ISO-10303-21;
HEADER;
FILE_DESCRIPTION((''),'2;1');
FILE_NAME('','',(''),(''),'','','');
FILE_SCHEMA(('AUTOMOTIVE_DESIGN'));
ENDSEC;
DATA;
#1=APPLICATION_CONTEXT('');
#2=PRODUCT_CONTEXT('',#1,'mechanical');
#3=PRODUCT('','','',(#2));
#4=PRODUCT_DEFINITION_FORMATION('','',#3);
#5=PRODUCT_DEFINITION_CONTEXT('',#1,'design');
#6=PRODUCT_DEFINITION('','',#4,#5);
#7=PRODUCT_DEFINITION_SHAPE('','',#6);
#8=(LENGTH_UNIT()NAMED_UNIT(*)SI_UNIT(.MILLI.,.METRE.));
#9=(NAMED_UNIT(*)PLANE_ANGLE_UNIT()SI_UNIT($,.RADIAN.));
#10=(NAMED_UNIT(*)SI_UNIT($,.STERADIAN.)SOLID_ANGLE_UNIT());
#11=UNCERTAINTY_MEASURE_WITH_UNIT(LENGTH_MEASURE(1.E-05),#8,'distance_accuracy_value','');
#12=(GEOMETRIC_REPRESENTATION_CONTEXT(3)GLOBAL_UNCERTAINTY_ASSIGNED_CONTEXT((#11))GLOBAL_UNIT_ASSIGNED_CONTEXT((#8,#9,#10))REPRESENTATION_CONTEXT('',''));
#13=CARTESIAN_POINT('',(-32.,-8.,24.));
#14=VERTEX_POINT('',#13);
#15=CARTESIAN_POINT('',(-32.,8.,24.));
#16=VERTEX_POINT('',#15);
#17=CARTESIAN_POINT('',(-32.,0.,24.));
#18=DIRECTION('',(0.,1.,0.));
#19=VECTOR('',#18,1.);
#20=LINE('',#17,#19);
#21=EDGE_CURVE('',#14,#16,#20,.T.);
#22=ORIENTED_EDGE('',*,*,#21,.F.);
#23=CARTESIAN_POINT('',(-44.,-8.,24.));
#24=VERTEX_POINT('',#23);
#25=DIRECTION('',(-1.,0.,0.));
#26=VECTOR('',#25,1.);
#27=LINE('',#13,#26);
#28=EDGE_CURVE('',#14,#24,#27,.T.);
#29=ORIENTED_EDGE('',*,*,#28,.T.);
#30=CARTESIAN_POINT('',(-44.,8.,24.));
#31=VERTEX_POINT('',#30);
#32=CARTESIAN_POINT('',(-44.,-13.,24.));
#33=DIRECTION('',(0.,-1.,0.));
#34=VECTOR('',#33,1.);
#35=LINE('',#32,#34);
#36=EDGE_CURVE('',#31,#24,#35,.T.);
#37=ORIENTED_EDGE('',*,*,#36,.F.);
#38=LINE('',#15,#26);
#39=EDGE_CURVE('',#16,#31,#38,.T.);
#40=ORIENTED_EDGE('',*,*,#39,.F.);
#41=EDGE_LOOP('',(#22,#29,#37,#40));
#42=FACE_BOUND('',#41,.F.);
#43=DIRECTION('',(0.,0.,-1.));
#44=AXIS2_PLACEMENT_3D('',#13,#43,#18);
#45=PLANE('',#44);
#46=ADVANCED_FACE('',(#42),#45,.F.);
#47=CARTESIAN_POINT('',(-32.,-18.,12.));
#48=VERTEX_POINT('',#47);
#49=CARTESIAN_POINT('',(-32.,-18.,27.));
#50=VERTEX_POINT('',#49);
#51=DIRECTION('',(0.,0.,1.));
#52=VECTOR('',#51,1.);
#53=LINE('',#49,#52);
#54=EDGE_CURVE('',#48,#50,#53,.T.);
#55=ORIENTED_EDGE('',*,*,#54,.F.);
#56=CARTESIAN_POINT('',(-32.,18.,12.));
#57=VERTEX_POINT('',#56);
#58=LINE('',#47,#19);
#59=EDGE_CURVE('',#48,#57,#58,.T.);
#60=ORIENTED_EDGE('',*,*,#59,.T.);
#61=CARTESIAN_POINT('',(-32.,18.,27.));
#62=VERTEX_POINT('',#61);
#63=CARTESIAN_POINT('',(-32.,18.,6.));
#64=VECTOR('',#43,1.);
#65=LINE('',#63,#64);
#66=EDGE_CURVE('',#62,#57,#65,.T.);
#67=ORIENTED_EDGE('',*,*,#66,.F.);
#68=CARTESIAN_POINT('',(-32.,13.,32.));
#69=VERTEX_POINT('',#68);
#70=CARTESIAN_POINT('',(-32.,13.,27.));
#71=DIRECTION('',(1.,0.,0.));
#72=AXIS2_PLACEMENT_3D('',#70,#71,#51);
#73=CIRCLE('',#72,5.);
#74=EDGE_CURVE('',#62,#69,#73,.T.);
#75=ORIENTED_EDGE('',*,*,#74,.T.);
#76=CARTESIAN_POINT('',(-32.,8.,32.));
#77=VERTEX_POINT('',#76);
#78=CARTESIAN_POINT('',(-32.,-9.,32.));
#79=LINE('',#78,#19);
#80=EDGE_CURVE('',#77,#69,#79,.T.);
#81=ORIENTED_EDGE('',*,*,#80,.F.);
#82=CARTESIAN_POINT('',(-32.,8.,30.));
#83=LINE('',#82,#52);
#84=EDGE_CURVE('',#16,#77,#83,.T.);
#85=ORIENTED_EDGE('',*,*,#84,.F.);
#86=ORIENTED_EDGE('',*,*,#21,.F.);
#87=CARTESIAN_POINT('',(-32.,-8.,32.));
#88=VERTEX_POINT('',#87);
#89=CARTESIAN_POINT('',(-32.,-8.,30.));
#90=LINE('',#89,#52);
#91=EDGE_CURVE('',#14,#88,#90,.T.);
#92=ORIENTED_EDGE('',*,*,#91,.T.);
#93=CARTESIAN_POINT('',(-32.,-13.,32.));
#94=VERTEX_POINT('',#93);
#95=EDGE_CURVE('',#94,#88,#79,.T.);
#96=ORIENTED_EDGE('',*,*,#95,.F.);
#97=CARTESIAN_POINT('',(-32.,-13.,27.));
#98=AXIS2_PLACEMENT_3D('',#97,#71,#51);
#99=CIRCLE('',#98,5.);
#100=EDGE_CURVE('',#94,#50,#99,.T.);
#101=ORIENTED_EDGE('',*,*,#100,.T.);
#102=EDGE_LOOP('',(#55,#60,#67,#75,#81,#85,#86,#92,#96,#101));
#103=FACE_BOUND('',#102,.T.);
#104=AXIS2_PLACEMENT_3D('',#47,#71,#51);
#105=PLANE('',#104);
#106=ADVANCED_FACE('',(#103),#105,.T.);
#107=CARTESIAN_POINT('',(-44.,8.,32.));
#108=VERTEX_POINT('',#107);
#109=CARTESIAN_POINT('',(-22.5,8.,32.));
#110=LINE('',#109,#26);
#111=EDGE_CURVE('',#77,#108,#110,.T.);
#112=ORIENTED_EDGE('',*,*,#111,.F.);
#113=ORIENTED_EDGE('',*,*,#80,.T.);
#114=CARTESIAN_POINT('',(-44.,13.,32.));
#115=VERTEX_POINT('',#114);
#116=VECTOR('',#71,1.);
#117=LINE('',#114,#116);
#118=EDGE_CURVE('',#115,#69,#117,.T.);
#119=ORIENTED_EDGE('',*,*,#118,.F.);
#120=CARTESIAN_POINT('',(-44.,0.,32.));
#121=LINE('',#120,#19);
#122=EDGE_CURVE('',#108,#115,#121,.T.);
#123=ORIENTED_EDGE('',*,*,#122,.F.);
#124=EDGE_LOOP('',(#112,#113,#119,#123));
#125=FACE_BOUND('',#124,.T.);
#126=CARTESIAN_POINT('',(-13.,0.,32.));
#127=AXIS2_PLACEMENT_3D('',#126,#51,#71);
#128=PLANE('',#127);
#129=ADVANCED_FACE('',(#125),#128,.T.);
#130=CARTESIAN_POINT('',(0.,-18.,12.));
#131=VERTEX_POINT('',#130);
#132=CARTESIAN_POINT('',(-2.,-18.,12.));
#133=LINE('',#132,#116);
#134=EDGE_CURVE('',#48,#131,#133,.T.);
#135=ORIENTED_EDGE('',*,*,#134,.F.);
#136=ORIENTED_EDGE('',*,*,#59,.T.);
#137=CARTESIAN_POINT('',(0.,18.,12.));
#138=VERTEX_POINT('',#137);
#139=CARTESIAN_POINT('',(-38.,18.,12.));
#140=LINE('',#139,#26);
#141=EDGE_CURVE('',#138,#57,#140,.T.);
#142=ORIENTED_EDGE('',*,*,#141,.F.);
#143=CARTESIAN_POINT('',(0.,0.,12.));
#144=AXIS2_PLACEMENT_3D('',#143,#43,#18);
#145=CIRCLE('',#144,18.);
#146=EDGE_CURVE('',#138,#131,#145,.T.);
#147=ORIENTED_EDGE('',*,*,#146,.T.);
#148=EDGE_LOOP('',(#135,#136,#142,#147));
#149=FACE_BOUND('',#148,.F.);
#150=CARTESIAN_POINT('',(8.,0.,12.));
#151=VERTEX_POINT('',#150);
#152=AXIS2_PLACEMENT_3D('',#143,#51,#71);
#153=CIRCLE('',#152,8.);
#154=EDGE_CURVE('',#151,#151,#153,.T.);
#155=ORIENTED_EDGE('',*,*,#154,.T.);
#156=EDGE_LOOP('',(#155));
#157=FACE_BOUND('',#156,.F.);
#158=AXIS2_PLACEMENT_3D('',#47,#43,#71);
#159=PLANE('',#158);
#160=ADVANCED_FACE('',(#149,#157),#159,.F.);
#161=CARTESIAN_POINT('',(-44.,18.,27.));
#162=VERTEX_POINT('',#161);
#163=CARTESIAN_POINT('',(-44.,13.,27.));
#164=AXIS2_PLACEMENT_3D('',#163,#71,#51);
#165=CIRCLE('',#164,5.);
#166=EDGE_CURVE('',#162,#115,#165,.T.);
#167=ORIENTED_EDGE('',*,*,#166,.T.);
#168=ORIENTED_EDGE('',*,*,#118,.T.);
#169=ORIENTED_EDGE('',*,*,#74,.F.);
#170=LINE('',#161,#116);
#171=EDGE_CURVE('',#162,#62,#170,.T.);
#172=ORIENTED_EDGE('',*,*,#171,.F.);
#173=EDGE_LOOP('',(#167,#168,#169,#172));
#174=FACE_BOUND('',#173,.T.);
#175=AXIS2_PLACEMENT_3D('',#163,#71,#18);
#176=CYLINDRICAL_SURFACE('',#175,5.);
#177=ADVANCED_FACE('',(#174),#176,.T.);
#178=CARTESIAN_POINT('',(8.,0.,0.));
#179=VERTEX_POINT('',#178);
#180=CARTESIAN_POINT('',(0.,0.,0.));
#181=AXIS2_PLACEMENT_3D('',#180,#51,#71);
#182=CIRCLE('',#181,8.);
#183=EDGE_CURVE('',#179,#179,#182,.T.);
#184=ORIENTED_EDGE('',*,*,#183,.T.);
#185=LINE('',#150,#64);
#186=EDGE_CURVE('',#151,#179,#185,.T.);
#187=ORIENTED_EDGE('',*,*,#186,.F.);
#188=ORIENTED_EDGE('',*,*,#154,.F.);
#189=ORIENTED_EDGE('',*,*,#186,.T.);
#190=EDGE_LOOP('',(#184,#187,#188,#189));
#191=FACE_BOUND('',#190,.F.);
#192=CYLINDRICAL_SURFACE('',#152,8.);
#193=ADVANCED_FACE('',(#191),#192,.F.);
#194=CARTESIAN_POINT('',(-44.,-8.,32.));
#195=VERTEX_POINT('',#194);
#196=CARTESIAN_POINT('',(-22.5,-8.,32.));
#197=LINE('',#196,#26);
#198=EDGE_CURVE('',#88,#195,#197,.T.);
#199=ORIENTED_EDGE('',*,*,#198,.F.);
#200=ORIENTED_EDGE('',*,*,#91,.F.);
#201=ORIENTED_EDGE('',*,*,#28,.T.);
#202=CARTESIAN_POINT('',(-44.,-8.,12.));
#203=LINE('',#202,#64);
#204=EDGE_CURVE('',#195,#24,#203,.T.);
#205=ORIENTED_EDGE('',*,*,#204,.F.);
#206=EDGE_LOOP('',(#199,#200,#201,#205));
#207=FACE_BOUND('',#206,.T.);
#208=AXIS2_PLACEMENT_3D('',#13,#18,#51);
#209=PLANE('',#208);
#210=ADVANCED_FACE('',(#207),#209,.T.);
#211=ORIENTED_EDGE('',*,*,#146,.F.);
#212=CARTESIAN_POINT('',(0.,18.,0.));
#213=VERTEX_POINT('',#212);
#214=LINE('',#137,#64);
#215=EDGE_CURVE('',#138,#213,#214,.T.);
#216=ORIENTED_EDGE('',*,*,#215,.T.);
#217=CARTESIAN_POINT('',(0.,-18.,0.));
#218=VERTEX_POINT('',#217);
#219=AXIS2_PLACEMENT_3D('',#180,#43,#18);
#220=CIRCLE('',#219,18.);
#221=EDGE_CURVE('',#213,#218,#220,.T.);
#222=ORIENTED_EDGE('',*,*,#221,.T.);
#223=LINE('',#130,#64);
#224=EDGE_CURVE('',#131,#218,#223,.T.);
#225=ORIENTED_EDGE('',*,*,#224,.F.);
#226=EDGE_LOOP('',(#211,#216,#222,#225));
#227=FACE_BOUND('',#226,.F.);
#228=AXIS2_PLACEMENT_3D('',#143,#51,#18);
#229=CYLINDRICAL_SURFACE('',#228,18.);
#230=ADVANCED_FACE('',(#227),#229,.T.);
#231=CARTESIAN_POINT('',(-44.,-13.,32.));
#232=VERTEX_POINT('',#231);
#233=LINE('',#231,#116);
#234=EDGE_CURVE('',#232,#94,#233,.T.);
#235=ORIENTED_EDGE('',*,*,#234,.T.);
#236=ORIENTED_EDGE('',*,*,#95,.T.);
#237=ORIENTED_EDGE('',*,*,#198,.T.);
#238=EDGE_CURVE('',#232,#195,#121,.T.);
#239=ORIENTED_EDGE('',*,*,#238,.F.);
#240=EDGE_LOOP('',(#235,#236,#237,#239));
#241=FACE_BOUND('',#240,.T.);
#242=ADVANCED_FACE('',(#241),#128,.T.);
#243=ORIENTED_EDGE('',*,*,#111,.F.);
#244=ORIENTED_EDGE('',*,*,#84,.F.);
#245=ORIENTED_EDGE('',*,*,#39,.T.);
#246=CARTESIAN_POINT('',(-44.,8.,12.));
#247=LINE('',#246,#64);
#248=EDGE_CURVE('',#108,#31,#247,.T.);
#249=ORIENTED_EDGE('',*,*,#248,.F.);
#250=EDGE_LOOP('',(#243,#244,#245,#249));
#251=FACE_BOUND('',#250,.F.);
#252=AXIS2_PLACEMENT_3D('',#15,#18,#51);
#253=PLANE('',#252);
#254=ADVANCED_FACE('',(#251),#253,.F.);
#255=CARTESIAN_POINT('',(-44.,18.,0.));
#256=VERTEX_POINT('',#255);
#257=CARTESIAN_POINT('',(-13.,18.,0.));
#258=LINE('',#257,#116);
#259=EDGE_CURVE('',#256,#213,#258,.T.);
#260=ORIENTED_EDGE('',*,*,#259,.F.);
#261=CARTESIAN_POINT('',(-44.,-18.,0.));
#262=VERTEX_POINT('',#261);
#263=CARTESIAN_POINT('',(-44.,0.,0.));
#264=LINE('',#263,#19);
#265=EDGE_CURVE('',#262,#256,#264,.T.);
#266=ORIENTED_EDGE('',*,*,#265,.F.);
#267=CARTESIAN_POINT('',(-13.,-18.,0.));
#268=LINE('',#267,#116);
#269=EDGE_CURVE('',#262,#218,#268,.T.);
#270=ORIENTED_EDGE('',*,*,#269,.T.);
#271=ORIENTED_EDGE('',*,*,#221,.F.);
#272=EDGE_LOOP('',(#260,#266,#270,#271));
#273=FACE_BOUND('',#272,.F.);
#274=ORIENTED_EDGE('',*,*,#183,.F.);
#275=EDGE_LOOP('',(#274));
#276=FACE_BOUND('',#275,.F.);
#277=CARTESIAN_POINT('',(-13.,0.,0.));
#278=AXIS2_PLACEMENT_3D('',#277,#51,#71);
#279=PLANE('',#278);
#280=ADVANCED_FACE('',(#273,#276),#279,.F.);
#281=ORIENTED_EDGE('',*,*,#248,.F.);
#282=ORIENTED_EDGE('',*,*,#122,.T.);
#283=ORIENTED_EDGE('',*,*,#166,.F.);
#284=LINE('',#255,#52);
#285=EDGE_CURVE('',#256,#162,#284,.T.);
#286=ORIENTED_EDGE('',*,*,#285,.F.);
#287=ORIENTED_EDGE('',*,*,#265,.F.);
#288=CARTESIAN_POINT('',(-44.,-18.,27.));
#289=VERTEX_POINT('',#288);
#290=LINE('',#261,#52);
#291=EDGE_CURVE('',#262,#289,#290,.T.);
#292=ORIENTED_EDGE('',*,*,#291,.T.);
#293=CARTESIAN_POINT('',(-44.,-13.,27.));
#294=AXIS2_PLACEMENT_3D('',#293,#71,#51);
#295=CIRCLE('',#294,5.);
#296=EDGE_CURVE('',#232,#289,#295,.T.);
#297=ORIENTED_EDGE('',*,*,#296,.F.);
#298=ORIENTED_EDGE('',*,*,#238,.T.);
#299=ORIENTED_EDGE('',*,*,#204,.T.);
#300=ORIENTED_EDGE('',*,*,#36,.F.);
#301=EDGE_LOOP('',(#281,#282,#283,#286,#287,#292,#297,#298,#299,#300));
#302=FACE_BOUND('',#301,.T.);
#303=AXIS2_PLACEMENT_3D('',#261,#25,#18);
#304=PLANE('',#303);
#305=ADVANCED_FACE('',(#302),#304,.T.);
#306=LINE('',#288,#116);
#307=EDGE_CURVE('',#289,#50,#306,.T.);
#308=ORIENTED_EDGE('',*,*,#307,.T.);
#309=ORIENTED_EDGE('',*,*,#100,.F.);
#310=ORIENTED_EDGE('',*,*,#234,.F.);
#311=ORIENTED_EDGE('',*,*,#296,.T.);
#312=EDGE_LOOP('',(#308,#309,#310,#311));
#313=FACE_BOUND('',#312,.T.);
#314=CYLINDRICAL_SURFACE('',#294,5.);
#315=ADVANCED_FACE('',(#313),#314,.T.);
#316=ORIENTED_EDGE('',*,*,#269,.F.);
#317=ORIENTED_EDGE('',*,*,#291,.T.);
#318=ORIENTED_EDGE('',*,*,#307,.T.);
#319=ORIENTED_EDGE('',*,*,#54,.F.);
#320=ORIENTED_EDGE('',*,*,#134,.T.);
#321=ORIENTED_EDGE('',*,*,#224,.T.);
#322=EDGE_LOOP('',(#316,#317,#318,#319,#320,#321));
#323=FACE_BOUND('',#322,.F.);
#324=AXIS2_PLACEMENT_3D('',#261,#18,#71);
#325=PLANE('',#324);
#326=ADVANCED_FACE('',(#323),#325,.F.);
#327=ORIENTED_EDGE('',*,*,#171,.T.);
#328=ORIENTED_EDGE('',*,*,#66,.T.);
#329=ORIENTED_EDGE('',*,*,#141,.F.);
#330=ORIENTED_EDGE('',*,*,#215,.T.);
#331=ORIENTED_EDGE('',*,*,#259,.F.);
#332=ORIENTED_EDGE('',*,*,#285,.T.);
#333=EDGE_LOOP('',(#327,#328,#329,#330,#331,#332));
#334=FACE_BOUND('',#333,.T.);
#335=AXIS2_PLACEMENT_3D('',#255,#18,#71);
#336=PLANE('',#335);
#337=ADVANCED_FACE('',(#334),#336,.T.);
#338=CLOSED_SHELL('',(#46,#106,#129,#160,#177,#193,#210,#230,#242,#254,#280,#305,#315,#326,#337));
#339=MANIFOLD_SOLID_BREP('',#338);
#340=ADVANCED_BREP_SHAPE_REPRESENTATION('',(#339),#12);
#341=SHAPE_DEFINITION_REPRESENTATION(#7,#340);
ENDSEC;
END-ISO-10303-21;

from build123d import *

# Parameters (mm, degrees)
F0_W     = 62
F0_H     = 36
F1_DEPTH = 32
F2_W     = 60
F2_H     = 30
F3_DEPTH = 36.001
F5_DEPTH = 12.001
F6_W     = 16
F6_H     = 12
F7_DEPTH = 12.001
F8_R     = 8
F9_DEPTH = 12.001
F10_R    = 5


with BuildPart() as f1:
    # F0 (on Top) → F1 (new body)
    with BuildSketch(Plane.XY):
        with Locations((-13, 0)):
            Rectangle(F0_W, F0_H)
    extrude(amount=F1_DEPTH)

    # F2 (on face) → F3 (cut, through all)
    with BuildSketch(Plane.XZ.offset(18)):
        with Locations((-2, 27)):
            Rectangle(F2_W, F2_H)
    extrude(amount=-F3_DEPTH, mode=Mode.SUBTRACT)

    # F4 (on face) → F5 (cut, through all)
    with BuildSketch(Plane.XY.offset(12)):
        with BuildLine():
            ThreePointArc((0, 18), (18, 0), (0, -18))
            Line((0, -18), (0, -28))
            Line((0, -28), (28, -28))
            Line((28, -28), (28, 28))
            Line((28, 28), (0, 28))
            Line((0, 28), (0, 18))
        make_face()
    extrude(amount=-F5_DEPTH, mode=Mode.SUBTRACT)

    # F6 (on face) → F7 (cut, through all)
    with BuildSketch(Plane.YZ.offset(-32)):
        with Locations((0, 30)):
            Rectangle(F6_W, F6_H)
    extrude(amount=-F7_DEPTH, mode=Mode.SUBTRACT)

    # F8 (on face) → F9 (cut, through all)
    with BuildSketch(Plane.XY.offset(12)):
        Circle(F8_R)
    extrude(amount=-F9_DEPTH, mode=Mode.SUBTRACT)

    # F10
    f10_edges = [f1.edges().sort_by_distance(p)[0] for p in [
        (-38, 18, 32),
        (-38, -18, 32),
    ]]
    fillet(f10_edges, radius=F10_R)


solid = f1.part
